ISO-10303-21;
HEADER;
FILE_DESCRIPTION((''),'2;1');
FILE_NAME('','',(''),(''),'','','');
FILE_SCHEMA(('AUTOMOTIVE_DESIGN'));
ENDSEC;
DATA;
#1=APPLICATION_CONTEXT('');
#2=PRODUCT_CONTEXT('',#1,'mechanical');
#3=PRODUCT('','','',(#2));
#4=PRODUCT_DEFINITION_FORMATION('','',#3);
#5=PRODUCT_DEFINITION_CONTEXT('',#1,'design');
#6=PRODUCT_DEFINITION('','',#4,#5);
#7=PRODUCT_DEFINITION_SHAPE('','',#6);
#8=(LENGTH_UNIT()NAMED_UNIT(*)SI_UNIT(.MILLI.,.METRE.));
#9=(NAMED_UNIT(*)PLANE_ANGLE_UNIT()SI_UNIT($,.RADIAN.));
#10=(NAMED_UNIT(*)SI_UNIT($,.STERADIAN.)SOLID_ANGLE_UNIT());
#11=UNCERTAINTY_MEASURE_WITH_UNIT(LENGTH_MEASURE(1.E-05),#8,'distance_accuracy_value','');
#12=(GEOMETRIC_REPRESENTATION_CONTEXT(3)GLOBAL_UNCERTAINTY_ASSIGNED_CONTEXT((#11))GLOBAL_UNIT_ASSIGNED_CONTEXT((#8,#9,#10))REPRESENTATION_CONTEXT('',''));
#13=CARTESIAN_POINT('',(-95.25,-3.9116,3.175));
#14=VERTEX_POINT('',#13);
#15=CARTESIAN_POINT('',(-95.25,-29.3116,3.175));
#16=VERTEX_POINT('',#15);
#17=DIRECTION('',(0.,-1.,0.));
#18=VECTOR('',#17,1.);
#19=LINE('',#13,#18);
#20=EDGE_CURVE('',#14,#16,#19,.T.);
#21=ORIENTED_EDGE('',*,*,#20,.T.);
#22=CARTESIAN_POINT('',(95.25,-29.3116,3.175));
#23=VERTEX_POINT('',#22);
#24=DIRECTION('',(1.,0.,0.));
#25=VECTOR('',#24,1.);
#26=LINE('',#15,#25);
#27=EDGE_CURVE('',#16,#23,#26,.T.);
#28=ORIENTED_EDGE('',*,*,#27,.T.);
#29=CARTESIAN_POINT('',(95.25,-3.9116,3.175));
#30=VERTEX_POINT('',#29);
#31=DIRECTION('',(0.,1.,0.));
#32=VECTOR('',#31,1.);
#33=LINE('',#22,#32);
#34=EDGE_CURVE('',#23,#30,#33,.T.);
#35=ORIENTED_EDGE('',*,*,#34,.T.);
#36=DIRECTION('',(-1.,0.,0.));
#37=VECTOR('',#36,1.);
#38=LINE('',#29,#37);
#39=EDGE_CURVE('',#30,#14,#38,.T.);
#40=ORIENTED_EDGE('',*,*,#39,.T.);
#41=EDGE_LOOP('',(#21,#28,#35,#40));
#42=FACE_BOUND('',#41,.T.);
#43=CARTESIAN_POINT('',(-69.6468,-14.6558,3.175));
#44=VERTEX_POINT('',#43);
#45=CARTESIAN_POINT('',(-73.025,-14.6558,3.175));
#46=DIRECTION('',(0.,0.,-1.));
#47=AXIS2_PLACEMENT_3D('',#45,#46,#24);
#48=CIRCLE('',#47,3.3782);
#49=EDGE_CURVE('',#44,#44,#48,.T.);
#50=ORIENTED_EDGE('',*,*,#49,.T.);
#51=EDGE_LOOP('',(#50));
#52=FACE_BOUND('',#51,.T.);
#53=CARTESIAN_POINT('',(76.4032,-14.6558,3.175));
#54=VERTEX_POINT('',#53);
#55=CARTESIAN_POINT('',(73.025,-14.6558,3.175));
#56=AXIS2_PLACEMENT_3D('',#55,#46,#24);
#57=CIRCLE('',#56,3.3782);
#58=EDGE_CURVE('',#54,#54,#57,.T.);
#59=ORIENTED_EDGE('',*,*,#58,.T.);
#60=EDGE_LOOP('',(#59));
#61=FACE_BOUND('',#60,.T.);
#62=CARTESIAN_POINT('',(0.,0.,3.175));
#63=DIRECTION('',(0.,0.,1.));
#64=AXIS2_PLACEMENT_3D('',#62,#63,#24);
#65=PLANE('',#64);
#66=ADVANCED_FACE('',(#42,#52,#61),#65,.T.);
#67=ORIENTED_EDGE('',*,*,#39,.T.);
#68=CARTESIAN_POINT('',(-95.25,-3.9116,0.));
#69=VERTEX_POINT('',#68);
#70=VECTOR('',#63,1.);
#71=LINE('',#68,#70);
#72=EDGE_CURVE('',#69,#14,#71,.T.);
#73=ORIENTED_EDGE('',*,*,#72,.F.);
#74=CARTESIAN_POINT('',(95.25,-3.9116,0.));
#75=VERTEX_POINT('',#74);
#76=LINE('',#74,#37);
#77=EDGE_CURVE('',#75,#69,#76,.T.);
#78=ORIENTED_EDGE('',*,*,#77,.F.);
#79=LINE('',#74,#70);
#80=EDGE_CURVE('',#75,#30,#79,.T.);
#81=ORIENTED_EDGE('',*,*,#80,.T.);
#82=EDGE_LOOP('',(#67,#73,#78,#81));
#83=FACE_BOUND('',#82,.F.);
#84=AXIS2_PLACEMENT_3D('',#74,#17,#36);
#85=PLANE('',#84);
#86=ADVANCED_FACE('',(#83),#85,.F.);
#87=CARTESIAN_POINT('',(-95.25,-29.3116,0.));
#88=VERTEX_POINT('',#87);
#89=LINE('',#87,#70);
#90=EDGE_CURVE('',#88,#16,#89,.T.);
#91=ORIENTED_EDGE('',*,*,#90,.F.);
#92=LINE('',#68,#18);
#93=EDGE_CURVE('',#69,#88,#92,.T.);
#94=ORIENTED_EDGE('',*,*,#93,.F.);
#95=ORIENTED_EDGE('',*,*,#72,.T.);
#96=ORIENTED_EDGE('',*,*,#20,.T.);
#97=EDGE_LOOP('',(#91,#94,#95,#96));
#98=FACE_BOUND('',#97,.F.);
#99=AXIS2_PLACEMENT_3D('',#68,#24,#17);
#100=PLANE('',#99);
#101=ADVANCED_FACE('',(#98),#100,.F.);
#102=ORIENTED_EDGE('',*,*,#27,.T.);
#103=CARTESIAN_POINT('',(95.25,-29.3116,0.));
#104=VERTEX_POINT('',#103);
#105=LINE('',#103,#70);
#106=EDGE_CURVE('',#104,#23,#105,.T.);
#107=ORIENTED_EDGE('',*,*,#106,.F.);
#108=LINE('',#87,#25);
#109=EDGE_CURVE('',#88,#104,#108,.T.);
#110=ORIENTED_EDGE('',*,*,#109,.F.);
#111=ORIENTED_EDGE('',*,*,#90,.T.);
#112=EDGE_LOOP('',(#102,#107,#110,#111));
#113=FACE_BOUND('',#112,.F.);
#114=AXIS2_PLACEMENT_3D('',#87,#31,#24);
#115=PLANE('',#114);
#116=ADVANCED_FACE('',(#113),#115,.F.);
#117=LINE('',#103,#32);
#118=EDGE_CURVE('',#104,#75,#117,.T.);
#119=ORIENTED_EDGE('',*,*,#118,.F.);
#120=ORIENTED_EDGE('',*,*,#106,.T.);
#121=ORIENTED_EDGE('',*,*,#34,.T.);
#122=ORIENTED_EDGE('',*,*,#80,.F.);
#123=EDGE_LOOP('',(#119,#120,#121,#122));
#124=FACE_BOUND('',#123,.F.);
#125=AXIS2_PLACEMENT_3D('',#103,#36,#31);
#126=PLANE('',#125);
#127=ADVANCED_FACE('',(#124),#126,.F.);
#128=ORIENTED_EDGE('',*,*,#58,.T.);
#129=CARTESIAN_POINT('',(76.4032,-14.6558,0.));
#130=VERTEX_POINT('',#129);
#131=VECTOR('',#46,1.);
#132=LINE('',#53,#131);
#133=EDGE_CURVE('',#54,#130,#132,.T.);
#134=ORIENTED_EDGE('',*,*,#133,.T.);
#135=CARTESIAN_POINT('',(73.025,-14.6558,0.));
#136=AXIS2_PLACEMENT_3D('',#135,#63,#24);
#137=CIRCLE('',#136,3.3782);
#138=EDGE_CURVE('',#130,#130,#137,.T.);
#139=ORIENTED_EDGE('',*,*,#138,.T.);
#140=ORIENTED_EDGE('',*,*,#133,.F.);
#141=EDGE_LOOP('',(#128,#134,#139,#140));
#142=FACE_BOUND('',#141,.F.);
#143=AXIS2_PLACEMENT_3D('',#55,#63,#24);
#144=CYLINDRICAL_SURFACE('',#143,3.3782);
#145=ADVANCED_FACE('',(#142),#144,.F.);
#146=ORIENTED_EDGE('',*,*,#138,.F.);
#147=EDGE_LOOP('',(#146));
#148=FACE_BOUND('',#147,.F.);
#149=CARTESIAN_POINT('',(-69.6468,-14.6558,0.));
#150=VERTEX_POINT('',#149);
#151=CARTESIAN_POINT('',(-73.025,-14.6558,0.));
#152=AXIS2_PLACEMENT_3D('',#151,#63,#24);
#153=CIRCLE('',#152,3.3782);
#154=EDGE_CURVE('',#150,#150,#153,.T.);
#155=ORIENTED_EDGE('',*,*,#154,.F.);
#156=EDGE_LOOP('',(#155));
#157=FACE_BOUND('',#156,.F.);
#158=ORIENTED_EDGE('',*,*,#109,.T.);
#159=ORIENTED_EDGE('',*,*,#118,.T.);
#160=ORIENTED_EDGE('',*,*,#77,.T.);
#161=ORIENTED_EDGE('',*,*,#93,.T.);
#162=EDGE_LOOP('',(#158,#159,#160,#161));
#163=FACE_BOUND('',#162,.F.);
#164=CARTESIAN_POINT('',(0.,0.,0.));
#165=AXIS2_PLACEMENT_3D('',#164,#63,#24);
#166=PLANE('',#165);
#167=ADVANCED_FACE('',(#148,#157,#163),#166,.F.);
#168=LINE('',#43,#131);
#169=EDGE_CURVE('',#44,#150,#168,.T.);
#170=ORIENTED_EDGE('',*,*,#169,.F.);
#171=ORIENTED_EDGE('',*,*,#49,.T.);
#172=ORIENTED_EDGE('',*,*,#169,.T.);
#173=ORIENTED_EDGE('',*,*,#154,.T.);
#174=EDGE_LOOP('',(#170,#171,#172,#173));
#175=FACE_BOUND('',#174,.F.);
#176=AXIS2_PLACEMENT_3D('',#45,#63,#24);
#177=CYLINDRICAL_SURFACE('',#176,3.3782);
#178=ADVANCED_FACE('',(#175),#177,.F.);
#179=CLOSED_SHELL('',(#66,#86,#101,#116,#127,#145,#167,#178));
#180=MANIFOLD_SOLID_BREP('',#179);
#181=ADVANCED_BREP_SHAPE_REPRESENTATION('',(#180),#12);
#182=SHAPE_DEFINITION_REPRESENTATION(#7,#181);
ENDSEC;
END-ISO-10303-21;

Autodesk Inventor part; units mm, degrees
ref_plane "YZ Plane" through (0, 0, 0) normal (1, 0, 0) x (0, 1, 0)
ref_plane "XZ Plane" through (0, 0, 0) normal (0, 1, 0) x (-1, 0, 0)
ref_plane "XY Plane" through (0, 0, 0) normal (0, 0, 1) x (1, 0, 0)
sketch "Sketch1" plane through (0, 0, 0) normal (0, 0, 1) x (1, 0, 0)
  line L0 (-92.075, -25.4) -> (92.075, -25.4)
  line L1 (95.25, -3.9116) -> (-95.25, -3.9116)
  line L2 (-95.25, -3.9116) -> (-95.25, -29.3116)
  line L3 (-95.25, -29.3116) -> (95.25, -29.3116)
  line L4 (95.25, -29.3116) -> (95.25, -3.9116)
  point P0 (0, 0)
  dimension "d5" = 25.4
extrude "Extrusion1" add sketch "Sketch1" along normal blind 3.175
sketch "Sketch2" plane through (0, 0, 3.175) normal (0, 0, 1) x (1, 0, 0)
  arc A0 (82.55, -18.034) -> (82.55, -11.2776) centre (82.55, -14.6558) ccw
  arc A1 (-82.55, -11.2776) -> (-82.55, -18.034) centre (-82.55, -14.6558) ccw
  line L0 (-63.5, -11.2776) -> (-82.55, -11.2776)
  arc A2 (-63.5, -18.034) -> (-63.5, -11.2776) centre (-63.5, -14.6558) ccw
  line L1 (-82.55, -18.034) -> (-63.5, -18.034)
  line L2 (63.5, -18.034) -> (82.55, -18.034)
  arc A3 (63.5, -11.2776) -> (63.5, -18.034) centre (63.5, -14.6558) ccw
  line L3 (82.55, -11.2776) -> (63.5, -11.2776)
  circle A4 centre (73.025, -14.6558) radius 3.3782
  circle A5 centre (-73.025, -14.6558) radius 3.3782
  line L4 (95.25, -3.9116) -> (-95.25, -3.9116) projected
  point P0 (0, 0)
  dimension "d4" = 10.7442
extrude "Extrusion2" cut sketch "Sketch2" against normal through all contours A4 | A5
properties part number "2018 Cube Backstop Mount"
